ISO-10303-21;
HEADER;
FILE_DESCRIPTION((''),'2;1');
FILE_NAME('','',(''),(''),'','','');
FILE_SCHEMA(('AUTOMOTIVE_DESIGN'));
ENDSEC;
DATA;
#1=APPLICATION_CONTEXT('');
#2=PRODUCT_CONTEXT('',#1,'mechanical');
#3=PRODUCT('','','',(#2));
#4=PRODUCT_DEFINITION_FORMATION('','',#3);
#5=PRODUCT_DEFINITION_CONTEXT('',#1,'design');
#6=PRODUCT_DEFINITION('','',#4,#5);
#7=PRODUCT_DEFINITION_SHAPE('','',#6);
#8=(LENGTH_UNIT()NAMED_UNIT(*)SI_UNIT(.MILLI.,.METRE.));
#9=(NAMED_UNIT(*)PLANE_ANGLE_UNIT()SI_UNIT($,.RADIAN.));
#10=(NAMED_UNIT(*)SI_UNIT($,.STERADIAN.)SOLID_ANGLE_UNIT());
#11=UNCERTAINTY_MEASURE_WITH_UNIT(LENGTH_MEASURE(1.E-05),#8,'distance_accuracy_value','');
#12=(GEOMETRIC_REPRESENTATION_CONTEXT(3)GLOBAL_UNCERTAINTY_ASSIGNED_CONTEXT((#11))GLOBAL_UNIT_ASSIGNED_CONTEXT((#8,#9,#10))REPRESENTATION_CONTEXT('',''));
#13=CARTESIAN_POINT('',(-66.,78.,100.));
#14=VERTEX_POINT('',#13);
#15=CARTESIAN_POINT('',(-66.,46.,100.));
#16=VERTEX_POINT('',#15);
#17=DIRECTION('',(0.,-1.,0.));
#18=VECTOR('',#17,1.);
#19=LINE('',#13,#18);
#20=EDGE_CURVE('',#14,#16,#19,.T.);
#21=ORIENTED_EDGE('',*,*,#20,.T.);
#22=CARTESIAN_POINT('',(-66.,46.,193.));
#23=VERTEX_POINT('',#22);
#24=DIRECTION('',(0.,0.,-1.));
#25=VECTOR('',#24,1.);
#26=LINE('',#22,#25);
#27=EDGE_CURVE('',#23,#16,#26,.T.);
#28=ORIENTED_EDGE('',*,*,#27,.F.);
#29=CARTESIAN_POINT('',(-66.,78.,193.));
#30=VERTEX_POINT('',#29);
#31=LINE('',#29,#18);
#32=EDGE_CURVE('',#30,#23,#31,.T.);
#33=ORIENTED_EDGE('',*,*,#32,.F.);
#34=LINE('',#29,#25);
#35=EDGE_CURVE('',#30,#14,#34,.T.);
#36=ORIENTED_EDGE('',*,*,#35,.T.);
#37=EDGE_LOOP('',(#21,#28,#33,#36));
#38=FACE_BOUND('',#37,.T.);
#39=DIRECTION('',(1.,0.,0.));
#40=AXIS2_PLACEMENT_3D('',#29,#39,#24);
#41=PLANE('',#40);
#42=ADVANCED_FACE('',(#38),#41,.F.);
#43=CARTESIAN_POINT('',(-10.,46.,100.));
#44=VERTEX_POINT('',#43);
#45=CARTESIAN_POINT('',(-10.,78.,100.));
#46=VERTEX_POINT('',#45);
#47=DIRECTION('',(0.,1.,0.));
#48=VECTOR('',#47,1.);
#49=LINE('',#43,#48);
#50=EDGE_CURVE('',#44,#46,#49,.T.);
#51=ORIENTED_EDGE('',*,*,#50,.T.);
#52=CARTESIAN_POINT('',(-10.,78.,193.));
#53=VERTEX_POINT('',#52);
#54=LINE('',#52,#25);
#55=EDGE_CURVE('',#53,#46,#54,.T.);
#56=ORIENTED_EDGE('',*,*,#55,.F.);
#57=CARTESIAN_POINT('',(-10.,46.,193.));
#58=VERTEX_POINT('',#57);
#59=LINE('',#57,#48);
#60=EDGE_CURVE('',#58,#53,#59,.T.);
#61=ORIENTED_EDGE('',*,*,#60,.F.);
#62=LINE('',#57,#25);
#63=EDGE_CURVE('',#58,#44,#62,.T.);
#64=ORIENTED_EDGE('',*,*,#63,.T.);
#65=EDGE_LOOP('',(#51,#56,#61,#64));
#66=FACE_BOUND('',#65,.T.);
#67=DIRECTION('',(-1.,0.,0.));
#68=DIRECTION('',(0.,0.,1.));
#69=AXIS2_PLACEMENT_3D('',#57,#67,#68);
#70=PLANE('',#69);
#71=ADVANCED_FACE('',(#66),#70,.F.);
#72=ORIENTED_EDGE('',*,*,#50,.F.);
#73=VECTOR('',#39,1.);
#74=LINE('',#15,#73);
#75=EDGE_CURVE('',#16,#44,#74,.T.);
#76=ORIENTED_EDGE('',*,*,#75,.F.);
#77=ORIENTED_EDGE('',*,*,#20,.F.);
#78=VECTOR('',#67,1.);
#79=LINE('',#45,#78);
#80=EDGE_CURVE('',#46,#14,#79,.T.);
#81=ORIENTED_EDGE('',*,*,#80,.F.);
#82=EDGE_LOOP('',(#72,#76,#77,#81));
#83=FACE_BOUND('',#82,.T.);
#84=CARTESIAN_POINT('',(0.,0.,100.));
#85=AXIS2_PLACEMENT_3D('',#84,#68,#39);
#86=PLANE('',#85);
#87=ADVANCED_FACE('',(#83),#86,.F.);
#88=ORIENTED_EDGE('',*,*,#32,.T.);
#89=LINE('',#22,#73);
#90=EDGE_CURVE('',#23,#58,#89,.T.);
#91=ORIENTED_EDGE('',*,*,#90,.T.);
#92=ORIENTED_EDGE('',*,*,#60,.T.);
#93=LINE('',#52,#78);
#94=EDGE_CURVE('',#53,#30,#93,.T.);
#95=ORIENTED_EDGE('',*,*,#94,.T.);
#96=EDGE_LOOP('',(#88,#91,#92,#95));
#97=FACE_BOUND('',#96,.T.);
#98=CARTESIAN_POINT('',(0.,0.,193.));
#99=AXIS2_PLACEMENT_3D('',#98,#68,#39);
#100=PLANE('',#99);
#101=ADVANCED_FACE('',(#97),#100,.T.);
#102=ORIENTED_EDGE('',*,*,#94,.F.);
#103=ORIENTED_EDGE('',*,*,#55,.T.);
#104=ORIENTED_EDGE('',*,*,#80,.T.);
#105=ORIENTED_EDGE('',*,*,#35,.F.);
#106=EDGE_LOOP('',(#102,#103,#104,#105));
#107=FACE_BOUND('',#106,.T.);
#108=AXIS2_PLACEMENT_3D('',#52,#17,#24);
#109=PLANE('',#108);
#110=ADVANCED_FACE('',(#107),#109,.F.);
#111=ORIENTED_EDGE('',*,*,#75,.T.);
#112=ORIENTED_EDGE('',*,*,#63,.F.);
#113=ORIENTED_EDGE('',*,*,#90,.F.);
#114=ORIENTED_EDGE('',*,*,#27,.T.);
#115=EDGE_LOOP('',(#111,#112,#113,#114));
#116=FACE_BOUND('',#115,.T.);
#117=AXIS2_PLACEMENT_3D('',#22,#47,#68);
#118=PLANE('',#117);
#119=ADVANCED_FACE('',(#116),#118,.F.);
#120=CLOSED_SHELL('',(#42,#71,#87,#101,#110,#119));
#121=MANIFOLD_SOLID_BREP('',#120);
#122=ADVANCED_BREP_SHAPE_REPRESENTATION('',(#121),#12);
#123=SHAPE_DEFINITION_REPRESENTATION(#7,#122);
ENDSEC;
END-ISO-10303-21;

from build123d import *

# Parameters (mm, degrees)
SK_BOX_0_W  = 56
SK_BOX_0_H  = 32
BOX_0_DEPTH = 93


with BuildPart() as part:
    # SK_Box_0 → Box_0 (new body)
    with BuildSketch(Plane.XY.offset(100)):
        with Locations((-38, 62)):
            Rectangle(SK_BOX_0_W, SK_BOX_0_H)
    extrude(amount=BOX_0_DEPTH)


solid = part.part
